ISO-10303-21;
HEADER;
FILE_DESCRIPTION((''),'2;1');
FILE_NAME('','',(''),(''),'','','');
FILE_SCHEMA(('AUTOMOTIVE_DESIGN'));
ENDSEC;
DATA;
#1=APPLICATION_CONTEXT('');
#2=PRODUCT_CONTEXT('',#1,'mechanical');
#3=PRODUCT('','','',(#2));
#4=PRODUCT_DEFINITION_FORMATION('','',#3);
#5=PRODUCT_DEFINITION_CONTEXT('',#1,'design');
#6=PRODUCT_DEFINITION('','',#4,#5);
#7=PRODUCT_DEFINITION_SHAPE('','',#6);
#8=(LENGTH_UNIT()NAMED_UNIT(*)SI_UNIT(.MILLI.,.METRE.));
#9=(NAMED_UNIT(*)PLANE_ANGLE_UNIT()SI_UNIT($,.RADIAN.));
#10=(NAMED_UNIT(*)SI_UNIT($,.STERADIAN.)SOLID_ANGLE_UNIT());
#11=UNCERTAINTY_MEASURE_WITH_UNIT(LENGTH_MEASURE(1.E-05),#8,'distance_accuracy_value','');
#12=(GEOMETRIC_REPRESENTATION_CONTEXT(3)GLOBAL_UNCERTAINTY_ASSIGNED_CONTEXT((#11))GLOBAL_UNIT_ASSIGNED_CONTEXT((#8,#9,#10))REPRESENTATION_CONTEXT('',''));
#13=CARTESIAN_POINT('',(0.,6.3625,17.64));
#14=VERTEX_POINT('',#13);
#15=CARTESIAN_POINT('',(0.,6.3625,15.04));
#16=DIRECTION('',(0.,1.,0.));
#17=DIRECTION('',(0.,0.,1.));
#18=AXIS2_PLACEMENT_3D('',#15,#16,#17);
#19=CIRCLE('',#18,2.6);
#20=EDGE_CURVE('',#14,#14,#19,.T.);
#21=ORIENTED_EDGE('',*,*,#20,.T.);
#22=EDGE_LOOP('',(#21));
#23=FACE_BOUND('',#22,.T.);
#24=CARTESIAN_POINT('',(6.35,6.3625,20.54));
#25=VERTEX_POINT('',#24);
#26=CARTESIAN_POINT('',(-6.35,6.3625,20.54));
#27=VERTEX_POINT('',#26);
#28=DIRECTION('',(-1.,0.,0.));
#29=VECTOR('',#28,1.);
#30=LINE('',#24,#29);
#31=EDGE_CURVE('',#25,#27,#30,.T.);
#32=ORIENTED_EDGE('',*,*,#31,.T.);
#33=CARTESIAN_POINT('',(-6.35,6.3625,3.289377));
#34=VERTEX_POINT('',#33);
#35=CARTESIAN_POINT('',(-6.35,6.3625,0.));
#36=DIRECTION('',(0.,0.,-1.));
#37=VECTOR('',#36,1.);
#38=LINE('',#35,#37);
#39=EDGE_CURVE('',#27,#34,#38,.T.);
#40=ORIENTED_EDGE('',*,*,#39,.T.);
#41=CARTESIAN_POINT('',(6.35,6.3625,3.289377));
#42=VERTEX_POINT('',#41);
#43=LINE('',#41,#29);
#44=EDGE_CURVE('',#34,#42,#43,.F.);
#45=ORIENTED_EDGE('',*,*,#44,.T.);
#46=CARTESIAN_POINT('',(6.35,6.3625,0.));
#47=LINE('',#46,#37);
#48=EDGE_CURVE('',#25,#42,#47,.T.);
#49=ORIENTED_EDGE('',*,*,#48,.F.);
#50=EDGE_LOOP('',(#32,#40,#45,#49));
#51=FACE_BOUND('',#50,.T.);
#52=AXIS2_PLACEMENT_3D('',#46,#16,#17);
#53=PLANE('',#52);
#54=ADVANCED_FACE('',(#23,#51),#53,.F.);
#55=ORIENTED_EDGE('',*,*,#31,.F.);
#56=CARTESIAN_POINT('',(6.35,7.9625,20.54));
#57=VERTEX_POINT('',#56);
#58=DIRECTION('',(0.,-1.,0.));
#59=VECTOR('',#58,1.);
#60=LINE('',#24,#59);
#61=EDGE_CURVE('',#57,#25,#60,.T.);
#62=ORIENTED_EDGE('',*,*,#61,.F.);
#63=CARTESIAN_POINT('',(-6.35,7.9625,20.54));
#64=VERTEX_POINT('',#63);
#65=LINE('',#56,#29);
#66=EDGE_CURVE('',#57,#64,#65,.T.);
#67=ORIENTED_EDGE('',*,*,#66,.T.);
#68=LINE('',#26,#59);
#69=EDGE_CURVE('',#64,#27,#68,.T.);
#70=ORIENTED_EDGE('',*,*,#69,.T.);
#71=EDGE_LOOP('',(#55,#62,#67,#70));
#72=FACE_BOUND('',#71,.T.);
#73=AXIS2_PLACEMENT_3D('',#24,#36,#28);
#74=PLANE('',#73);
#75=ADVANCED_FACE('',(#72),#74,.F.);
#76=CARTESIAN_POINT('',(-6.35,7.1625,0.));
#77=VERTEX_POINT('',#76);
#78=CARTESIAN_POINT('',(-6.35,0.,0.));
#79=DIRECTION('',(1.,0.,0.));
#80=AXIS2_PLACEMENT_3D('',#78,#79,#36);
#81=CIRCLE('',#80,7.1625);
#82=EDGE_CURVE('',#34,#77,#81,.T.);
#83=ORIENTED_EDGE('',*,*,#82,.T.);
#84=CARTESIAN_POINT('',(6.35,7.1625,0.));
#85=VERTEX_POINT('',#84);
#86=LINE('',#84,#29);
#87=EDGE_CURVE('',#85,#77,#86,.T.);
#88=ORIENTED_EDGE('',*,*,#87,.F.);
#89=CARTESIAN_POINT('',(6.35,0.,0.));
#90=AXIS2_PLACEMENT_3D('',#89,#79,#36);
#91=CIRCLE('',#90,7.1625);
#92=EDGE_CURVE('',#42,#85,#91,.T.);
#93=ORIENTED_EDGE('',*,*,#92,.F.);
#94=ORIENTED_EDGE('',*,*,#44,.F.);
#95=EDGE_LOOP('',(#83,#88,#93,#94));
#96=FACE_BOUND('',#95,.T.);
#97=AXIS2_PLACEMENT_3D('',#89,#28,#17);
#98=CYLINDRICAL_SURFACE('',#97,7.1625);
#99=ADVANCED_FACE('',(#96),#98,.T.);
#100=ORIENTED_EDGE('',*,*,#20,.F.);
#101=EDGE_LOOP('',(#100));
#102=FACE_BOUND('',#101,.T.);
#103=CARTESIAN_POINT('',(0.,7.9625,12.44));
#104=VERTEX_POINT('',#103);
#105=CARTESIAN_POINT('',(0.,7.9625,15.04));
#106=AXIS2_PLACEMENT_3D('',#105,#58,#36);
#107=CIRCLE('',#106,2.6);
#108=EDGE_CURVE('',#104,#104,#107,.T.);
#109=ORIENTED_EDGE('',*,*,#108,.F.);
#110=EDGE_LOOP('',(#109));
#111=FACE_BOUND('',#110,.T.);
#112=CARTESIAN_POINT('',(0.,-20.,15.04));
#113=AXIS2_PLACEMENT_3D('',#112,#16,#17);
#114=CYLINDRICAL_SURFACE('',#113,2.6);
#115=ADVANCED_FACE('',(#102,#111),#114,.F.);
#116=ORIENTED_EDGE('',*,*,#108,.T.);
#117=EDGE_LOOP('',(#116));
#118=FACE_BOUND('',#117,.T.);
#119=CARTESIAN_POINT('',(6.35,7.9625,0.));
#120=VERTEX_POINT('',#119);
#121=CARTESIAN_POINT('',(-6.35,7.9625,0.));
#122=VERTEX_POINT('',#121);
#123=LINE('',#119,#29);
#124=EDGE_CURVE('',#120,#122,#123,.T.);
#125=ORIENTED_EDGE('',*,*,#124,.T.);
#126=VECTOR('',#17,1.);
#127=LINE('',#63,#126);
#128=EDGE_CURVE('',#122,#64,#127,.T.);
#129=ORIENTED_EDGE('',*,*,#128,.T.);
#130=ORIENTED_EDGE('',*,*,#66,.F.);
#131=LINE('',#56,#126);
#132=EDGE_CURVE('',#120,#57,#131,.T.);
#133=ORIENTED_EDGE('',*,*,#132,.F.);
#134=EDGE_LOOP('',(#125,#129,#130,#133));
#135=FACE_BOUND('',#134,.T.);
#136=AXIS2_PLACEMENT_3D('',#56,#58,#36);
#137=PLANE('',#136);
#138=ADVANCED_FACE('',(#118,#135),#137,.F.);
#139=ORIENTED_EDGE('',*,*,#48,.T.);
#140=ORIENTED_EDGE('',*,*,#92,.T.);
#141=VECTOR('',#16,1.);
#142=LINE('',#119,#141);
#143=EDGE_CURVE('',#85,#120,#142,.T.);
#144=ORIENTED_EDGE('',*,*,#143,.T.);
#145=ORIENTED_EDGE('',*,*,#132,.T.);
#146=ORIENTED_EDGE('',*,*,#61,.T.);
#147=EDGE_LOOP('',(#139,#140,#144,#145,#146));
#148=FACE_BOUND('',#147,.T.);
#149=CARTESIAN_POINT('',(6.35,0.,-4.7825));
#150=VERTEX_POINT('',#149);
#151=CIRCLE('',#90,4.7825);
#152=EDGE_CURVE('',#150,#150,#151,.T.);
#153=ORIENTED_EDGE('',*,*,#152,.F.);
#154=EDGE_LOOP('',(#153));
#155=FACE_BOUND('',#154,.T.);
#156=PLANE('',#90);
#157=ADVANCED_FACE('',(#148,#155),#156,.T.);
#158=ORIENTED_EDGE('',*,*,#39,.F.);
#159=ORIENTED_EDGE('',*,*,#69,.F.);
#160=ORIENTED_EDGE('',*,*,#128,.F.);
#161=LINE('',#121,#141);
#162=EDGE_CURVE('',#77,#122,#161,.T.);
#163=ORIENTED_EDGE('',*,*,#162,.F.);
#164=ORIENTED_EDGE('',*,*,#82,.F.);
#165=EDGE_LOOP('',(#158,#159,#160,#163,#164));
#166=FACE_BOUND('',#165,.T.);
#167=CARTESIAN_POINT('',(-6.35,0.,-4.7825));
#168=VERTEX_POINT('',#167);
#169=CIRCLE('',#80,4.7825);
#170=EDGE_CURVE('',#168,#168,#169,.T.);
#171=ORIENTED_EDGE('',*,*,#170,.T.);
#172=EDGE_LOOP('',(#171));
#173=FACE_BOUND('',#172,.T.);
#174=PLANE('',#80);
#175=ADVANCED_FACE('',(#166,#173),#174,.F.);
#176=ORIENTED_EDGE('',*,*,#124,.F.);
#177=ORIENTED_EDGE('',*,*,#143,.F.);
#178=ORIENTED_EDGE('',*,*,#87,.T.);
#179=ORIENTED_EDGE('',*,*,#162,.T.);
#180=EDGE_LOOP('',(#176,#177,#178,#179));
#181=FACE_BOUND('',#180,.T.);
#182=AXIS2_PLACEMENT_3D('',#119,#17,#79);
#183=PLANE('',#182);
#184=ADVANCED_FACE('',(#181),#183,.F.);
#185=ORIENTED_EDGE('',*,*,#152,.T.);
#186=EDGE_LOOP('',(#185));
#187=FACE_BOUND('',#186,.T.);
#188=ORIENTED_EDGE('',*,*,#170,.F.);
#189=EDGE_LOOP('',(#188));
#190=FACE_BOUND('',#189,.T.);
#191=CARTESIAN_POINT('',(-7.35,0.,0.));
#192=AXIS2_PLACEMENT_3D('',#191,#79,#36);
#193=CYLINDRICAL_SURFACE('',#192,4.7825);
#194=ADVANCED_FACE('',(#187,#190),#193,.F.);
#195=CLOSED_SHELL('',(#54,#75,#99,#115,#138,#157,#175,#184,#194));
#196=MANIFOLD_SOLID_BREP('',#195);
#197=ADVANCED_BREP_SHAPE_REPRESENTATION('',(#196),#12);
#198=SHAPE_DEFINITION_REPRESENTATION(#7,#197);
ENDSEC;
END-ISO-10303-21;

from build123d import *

# Parameters (mm, degrees)
LOOP_SKETCH_R       = 7.1625
LOOP_DEPTH          = 6.35
TAB_SKETCH_W        = 20.54
TAB_SKETCH_H        = 1.6
TAB_DEPTH           = 6.35
TUBE_HOLE_SKETCH_R  = 4.7825
TUBE_HOLE_DEPTH     = 7.35
MOUNT_HOLE_SKETCH_R = 2.6
MOUNT_HOLE_DEPTH    = 20


with BuildPart() as part:
    # Loop Sketch → Loop (new, symmetric)
    with BuildSketch(Plane(origin=(0, 0, 0), x_dir=(0, 0, -1), z_dir=(1, 0, 0))):
        Circle(LOOP_SKETCH_R)
    extrude(amount=LOOP_DEPTH, both=True)

    # Tab Sketch → Tab (add, symmetric)
    with BuildSketch(Plane(origin=(0, 0, 0), x_dir=(0, 0, -1), z_dir=(1, 0, 0))):
        with Locations((-10.27, 7.1625)):
            Rectangle(TAB_SKETCH_W, TAB_SKETCH_H)
    extrude(amount=TAB_DEPTH, both=True)

    # Tube Hole Sketch → Tube Hole (cut, symmetric)
    with BuildSketch(Plane(origin=(0, 0, 0), x_dir=(0, 0, -1), z_dir=(1, 0, 0))):
        Circle(TUBE_HOLE_SKETCH_R)
    extrude(amount=TUBE_HOLE_DEPTH, both=True, mode=Mode.SUBTRACT)

    # Mount Hole Sketch → Mount Hole (cut, symmetric)
    with BuildSketch(Plane(origin=(0, 0, 0), x_dir=(1, 0, 0), z_dir=(0, 1, 0))):
        with Locations((0, -15.04)):
            Circle(MOUNT_HOLE_SKETCH_R)
    extrude(amount=MOUNT_HOLE_DEPTH, both=True, mode=Mode.SUBTRACT)


solid = part.part
